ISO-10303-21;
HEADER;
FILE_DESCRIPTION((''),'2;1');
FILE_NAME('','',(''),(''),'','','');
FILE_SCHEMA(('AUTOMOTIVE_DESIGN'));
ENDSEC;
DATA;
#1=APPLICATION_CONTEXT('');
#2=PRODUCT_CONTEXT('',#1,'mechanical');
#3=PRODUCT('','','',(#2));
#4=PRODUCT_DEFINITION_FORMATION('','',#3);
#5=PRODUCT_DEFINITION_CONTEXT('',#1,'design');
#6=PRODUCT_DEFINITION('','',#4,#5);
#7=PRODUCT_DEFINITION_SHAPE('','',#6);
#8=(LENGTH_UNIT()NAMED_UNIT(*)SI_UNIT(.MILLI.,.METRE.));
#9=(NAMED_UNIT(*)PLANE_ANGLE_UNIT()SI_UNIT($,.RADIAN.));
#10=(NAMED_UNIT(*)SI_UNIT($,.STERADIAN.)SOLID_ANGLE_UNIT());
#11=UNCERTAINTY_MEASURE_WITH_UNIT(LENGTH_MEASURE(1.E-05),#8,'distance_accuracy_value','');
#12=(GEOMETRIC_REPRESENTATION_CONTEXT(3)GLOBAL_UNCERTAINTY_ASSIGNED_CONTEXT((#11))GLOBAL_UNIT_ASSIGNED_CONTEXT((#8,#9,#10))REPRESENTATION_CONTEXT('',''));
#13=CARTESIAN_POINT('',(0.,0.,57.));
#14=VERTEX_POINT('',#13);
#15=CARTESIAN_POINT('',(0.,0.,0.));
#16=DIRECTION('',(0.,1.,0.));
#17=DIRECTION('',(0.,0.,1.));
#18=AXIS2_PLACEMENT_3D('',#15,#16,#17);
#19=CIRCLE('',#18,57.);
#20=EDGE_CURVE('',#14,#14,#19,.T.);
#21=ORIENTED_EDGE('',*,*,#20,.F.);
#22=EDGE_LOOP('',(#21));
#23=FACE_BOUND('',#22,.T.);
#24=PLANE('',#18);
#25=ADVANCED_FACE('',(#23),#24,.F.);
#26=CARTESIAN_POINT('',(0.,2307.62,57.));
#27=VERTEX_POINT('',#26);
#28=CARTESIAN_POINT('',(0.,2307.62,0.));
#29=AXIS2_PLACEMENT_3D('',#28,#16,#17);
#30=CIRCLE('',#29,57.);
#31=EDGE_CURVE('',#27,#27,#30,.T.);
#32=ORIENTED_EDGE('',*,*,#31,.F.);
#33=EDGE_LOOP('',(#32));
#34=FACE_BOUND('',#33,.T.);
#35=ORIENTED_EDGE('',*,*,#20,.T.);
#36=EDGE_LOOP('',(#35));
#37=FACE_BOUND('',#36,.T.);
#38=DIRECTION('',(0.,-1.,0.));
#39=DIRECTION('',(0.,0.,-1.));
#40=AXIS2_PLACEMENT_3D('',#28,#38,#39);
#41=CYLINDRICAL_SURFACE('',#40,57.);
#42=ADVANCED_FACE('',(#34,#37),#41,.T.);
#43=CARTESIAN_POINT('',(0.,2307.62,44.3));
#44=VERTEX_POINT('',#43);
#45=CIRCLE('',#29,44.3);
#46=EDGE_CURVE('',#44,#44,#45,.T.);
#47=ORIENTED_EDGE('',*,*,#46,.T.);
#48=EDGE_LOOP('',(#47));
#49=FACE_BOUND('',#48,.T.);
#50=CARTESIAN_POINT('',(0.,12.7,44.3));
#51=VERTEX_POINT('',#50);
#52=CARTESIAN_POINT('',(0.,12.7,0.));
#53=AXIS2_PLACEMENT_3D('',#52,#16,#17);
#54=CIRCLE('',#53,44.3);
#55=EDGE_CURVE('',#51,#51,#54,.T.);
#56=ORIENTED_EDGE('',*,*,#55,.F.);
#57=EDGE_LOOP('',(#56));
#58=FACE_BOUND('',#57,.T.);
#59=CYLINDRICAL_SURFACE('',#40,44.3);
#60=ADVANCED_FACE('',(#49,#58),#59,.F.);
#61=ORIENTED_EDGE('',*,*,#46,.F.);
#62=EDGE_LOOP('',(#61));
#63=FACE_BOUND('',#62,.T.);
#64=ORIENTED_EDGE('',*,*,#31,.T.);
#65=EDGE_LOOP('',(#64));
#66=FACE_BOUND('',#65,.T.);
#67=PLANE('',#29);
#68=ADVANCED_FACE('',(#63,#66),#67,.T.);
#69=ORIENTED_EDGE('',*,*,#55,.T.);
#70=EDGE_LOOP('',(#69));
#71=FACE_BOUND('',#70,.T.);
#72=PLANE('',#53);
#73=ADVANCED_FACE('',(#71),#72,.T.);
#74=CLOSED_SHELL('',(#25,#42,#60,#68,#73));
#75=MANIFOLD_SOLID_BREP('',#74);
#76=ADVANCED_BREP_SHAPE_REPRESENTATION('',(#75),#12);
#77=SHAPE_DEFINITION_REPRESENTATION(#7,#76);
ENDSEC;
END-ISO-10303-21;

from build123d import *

# Parameters (mm, degrees)
SKETCH1_R           = 57
BOSS_EXTRUDE1_DEPTH = 2307.62
SHELL1_T            = -12.7


with BuildPart() as part:
    # Sketch1 → Boss-Extrude1 (new body)
    with BuildSketch(Plane(origin=(0, 0, 0), x_dir=(1, 0, 0), z_dir=(0, 1, 0))):
        with Locations(Location((0, 0, 0), (0, 0, 270))):
            Circle(SKETCH1_R)
    extrude(amount=BOSS_EXTRUDE1_DEPTH)

    # Shell1
    shell1_openings = [part.faces().sort_by_distance(p)[0] for p in [
        (0, 2307.62, 0),
    ]]
    offset(amount=SHELL1_T, openings=shell1_openings, kind=Kind.INTERSECTION)


solid = part.part
